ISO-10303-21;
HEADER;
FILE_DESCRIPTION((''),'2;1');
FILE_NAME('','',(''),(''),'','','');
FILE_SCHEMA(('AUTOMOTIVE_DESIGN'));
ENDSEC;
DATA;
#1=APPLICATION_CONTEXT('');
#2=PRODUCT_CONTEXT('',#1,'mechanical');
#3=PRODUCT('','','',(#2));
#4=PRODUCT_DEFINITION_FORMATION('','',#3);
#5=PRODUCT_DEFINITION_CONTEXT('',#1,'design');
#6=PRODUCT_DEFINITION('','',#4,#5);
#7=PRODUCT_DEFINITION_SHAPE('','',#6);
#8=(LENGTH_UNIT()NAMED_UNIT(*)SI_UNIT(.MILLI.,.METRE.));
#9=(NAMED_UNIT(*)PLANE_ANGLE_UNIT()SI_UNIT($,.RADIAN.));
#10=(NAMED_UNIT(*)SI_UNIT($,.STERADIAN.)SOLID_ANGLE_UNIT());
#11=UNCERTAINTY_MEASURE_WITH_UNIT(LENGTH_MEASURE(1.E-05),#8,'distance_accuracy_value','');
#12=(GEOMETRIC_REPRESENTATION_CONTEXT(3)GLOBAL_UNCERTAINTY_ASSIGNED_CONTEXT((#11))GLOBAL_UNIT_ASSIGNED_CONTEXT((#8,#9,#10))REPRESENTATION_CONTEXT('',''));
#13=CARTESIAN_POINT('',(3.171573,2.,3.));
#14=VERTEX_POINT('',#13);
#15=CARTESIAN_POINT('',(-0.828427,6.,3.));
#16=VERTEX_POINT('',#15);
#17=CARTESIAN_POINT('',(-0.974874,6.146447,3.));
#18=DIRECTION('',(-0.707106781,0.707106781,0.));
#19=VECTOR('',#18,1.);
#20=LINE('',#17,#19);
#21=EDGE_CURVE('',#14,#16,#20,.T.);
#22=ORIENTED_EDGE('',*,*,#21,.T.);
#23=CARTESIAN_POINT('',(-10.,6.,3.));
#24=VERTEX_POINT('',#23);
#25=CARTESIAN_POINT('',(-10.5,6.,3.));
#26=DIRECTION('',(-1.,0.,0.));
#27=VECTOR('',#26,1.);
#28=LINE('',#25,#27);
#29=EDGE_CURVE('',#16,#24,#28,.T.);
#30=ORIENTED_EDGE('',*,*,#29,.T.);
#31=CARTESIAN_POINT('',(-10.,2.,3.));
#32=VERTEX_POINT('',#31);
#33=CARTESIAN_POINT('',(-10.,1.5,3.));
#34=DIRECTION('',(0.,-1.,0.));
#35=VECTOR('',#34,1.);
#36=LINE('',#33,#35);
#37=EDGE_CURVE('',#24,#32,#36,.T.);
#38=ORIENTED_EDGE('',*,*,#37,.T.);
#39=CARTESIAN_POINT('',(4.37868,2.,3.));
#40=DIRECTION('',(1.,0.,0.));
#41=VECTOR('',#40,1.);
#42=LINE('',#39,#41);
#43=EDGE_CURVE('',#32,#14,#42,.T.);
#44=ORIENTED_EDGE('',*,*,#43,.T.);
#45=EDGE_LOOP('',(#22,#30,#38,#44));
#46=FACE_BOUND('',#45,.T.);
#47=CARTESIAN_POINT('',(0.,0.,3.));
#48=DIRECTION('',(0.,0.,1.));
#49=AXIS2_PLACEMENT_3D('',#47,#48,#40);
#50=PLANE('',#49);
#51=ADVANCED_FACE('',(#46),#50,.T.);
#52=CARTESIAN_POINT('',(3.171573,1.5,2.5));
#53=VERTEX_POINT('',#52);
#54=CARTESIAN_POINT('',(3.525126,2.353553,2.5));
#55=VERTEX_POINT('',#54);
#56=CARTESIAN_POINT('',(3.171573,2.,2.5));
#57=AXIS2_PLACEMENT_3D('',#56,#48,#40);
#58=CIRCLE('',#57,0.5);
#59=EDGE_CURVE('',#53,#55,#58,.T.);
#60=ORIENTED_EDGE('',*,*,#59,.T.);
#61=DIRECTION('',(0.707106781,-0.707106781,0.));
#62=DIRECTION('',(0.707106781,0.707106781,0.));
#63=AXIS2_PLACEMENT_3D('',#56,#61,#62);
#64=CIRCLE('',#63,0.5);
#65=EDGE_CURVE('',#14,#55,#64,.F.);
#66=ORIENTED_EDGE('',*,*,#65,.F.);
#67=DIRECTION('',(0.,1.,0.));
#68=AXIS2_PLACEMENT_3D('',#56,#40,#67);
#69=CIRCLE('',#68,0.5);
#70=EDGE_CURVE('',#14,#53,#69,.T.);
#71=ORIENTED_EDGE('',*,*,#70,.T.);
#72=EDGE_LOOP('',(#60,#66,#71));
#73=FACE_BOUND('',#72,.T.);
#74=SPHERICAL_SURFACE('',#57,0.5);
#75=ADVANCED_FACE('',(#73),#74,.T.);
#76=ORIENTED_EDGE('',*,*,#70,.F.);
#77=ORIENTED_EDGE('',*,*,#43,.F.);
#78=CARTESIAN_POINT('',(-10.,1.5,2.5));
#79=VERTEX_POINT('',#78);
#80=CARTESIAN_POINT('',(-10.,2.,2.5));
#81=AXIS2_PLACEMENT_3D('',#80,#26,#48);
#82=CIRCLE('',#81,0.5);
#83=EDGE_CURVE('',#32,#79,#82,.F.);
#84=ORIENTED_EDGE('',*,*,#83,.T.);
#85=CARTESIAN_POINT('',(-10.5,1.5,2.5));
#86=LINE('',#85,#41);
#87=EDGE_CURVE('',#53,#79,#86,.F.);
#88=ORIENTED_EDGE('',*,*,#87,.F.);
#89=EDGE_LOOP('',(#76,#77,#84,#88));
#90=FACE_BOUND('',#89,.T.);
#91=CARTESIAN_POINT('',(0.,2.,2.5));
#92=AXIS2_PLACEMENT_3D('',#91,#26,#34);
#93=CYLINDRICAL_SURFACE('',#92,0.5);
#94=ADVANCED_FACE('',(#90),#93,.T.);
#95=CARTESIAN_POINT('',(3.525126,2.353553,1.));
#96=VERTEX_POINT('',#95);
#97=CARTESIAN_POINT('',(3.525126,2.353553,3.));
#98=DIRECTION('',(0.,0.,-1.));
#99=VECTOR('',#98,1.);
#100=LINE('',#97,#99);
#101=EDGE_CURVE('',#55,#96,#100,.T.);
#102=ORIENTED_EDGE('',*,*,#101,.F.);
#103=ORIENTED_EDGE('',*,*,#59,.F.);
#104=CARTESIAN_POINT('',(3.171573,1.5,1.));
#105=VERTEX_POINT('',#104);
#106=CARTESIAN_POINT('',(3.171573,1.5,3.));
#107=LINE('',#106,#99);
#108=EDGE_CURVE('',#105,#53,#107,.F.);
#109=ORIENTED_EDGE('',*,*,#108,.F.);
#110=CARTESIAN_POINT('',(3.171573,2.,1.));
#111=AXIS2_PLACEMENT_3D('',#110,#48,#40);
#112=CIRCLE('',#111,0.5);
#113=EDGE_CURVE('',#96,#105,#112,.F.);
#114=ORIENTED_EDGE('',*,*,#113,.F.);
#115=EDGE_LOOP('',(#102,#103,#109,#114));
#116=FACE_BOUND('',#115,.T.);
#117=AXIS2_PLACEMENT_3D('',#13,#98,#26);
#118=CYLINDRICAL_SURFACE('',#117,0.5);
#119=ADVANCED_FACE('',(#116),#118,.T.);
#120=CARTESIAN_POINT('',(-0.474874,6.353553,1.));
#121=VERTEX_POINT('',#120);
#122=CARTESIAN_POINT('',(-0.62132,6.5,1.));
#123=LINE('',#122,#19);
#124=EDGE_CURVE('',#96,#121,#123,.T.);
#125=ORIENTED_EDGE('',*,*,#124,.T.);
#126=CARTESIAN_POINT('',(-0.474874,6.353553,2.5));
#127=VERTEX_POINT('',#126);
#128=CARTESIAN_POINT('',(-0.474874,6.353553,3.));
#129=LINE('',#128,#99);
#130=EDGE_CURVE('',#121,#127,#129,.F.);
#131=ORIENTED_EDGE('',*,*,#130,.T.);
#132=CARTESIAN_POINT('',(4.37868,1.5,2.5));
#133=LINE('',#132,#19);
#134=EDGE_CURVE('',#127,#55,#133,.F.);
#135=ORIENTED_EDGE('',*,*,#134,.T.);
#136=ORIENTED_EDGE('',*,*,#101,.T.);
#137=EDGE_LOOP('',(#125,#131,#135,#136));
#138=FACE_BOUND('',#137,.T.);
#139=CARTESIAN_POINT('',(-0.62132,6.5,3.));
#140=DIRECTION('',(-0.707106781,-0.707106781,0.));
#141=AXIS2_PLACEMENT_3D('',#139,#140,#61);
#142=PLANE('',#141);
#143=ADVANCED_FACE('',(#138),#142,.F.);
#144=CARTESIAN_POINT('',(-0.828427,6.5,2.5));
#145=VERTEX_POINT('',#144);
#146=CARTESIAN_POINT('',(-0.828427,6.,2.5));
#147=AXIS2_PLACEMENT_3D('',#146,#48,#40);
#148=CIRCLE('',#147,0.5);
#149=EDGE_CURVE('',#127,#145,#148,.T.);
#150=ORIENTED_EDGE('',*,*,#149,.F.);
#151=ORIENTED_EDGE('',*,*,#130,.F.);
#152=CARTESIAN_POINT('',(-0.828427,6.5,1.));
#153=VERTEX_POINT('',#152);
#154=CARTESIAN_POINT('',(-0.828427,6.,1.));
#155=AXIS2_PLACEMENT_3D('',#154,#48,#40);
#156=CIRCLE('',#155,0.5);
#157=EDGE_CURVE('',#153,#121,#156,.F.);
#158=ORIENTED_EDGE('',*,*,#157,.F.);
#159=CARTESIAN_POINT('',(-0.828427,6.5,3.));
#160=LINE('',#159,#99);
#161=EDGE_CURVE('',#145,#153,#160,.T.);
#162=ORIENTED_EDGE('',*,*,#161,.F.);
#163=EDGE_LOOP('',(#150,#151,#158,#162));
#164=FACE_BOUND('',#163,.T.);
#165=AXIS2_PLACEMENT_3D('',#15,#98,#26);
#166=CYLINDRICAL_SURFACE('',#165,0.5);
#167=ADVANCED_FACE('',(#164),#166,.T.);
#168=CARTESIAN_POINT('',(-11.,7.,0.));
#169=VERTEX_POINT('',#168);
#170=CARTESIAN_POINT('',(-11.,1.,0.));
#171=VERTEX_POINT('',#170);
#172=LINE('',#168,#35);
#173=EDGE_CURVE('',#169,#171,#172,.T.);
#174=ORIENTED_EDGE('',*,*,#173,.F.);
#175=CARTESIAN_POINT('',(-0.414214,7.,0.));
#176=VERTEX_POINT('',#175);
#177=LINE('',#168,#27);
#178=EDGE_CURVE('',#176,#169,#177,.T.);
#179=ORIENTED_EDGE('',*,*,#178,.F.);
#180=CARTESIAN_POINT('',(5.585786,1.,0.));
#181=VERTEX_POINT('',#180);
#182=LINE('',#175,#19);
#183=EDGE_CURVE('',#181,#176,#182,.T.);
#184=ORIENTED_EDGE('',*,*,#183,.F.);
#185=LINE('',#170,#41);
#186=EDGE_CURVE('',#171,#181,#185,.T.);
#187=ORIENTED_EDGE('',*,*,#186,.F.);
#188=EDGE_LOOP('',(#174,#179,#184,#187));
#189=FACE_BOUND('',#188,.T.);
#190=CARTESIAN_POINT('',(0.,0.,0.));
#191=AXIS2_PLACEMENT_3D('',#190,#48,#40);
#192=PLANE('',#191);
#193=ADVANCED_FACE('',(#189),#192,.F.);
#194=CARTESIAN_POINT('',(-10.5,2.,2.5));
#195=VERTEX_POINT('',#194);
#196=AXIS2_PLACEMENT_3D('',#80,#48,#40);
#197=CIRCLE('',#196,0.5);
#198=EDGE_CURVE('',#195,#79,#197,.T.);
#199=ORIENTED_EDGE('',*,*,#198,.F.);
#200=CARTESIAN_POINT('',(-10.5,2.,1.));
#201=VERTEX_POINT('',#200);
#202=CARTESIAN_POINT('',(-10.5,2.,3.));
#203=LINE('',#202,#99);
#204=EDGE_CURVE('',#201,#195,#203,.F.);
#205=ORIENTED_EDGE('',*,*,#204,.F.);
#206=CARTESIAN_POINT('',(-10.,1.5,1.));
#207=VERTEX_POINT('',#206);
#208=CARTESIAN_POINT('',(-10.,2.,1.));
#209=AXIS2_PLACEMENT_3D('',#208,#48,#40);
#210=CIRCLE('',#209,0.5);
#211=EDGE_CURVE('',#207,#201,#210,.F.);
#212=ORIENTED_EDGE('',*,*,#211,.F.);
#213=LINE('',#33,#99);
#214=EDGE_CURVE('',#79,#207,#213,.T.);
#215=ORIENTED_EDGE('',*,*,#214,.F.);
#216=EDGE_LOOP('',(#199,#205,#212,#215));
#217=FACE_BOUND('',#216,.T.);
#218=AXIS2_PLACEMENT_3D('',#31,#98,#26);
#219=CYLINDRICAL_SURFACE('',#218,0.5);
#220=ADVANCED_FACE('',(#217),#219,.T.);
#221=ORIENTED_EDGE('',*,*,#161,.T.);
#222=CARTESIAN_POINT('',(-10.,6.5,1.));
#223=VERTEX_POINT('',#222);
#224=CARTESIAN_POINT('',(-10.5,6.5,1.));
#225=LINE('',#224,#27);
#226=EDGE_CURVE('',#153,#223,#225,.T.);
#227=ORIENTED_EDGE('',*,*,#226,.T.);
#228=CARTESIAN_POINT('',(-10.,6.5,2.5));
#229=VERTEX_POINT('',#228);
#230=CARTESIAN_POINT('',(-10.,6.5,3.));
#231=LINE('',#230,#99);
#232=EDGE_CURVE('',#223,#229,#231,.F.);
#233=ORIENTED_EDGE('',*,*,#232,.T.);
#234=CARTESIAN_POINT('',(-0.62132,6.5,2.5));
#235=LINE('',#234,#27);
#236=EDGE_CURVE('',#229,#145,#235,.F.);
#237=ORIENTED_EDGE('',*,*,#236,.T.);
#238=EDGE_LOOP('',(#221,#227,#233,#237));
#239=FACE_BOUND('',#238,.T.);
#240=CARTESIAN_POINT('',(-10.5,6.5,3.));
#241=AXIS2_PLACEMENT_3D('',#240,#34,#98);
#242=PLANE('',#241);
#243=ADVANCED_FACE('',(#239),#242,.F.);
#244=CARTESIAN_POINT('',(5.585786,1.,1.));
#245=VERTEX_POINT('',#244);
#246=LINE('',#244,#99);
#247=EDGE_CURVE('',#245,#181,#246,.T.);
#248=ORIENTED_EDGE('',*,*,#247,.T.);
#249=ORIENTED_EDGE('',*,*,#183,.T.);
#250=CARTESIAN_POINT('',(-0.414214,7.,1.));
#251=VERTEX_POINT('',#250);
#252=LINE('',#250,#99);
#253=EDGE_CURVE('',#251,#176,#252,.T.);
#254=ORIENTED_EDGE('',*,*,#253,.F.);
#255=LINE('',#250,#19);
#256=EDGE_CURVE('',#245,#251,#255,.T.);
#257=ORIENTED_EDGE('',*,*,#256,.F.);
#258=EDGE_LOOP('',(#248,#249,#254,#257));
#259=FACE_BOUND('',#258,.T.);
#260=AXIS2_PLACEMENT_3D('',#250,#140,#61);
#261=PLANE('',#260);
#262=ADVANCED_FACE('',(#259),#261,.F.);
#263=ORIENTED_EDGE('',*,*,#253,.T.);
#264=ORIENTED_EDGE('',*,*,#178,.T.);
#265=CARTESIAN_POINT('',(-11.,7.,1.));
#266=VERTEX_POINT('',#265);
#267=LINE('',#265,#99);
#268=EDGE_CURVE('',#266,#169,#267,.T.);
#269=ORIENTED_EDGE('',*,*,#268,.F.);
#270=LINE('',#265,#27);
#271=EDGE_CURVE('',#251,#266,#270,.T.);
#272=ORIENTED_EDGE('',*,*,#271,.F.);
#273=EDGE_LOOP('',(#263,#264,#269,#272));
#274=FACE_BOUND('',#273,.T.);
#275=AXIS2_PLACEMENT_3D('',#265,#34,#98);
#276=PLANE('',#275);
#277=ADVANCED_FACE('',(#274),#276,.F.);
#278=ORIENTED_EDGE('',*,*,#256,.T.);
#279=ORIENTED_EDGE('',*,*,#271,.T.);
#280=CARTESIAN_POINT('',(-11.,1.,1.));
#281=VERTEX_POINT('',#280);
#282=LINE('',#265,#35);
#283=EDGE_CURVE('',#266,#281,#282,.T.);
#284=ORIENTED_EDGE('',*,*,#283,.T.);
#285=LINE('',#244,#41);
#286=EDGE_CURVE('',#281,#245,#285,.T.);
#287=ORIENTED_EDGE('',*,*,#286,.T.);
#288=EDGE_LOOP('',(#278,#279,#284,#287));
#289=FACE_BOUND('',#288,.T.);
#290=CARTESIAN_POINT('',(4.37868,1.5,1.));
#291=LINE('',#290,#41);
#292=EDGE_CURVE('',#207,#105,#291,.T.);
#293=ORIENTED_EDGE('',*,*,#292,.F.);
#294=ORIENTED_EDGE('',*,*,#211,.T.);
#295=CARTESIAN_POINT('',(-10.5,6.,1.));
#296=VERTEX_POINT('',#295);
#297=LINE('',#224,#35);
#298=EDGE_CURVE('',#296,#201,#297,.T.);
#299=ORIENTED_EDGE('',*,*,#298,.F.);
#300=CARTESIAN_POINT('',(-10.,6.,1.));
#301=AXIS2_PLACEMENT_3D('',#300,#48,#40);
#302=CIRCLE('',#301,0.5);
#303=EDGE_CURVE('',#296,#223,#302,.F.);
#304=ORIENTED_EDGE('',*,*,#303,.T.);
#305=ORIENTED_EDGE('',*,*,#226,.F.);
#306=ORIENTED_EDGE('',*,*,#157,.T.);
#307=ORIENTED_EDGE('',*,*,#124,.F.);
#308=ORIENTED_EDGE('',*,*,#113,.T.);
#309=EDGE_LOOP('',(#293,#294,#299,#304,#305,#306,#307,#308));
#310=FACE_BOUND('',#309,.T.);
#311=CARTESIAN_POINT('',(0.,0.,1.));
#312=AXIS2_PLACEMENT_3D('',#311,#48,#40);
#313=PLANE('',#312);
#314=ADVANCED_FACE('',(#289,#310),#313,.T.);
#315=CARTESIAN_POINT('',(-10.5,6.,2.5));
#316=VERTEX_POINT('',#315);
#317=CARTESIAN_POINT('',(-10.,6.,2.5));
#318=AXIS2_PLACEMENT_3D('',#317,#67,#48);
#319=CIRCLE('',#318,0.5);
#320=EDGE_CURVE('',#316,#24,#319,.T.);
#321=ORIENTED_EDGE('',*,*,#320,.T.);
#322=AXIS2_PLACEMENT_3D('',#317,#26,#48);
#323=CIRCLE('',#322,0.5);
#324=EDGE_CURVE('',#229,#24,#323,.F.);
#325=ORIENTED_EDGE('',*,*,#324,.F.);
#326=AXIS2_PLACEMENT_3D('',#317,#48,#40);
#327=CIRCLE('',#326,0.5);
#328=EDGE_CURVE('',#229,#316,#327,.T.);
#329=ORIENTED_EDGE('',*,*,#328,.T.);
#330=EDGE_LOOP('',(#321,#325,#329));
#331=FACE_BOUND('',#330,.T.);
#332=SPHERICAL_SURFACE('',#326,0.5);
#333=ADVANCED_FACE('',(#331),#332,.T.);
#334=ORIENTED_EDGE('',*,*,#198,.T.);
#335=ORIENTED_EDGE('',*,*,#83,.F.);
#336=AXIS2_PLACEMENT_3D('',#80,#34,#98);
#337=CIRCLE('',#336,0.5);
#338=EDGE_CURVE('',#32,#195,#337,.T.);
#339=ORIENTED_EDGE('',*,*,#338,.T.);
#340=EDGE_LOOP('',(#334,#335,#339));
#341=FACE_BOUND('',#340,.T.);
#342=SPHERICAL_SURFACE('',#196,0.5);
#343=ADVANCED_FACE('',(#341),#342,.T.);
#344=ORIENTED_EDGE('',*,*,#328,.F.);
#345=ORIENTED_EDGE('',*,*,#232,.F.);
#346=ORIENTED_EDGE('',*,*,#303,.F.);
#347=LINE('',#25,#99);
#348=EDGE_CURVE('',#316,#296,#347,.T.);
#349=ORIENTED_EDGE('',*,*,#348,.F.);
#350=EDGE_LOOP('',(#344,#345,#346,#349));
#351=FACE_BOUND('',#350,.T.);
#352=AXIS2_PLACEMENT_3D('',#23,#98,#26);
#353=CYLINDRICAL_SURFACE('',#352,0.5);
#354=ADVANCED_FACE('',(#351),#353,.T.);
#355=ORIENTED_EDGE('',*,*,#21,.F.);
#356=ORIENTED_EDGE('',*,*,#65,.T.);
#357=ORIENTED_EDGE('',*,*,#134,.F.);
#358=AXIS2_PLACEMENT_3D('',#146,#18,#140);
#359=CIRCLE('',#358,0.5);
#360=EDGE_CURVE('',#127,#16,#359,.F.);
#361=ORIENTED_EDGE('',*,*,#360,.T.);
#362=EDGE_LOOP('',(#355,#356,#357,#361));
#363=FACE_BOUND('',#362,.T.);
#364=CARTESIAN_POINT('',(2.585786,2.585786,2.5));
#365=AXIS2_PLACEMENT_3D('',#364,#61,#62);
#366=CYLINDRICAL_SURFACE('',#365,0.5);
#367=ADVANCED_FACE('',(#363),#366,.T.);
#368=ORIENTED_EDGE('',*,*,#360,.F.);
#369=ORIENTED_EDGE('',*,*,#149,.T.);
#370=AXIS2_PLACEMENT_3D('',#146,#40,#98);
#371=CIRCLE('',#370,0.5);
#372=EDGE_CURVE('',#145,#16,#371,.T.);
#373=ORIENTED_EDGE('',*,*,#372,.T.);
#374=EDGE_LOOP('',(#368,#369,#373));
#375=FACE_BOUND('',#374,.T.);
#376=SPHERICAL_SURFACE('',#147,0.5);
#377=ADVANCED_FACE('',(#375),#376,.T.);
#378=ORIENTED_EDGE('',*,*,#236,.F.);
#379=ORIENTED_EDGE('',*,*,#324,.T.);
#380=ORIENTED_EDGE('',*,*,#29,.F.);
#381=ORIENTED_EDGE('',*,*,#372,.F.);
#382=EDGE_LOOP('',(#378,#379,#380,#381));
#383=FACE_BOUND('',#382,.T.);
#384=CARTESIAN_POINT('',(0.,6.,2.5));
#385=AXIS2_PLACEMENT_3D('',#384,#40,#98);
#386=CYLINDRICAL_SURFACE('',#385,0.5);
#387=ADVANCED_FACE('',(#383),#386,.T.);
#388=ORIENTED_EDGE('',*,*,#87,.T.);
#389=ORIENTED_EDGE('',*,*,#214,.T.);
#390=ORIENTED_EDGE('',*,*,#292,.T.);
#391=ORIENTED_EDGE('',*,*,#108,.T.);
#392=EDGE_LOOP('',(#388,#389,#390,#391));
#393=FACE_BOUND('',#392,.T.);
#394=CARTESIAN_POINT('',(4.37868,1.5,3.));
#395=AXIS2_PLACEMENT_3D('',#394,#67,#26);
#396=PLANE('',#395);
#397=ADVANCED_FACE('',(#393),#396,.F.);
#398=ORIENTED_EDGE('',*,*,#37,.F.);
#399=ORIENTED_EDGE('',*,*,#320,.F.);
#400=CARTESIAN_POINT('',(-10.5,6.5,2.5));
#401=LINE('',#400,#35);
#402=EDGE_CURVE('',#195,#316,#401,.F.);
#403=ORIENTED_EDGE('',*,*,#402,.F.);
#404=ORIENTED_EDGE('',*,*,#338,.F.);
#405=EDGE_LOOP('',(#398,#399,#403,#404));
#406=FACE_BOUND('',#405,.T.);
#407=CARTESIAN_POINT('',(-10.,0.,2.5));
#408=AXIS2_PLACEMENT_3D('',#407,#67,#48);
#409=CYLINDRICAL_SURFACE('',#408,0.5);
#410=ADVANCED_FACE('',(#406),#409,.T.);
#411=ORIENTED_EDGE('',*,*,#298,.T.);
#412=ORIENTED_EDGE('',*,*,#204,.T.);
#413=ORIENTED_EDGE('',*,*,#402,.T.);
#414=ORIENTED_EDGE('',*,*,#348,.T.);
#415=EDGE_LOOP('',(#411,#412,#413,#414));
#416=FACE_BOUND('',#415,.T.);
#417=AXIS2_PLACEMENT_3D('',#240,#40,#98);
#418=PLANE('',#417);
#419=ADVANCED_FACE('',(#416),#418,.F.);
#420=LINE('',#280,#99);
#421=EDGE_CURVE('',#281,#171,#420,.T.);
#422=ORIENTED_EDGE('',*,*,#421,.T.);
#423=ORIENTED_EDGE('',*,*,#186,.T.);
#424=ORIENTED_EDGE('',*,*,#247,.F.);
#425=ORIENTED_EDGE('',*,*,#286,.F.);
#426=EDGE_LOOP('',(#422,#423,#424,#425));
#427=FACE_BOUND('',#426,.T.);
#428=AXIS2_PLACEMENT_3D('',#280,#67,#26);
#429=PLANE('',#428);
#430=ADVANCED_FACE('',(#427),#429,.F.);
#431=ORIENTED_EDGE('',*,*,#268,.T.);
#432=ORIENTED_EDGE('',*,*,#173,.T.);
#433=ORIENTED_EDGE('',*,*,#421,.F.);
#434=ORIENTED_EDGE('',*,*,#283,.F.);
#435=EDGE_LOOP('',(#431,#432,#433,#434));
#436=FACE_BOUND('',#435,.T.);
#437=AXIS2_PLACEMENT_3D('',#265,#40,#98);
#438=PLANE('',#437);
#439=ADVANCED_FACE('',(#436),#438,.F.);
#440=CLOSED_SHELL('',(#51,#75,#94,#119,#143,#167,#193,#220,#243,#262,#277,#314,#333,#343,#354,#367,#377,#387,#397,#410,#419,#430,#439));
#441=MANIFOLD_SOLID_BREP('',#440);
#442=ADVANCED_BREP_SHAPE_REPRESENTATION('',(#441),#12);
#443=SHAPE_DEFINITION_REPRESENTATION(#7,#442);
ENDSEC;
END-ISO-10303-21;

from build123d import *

# Parameters (mm, degrees)
BOSS_EXTRUDE3_DEPTH = 1
BOSS_EXTRUDE4_DEPTH = 2
FILLET1_R           = 0.5


with BuildPart() as part:
    # Sketch1 → Boss-Extrude3 (new body)
    with BuildSketch(Plane.XY):
        Polygon((-0.414213562, 7), (5.585786438, 1), (-0.414213562, 1), (-11, 1), (-11, 7), align=None)
    extrude(amount=BOSS_EXTRUDE3_DEPTH)

    # Sketch4 → Boss-Extrude4 (add)
    with BuildSketch(Plane.XY.offset(1)):
        Polygon((-0.621320344, 6.5), (4.378679656, 1.5), (-0.621320344, 1.5), (-10.5, 1.5), (-10.5, 6.5), align=None)
    extrude(amount=BOSS_EXTRUDE4_DEPTH)

    # Fillet1
    fillet1_edges = [part.edges().sort_by_distance(p)[0] for p in [
        (-10.5, 6.5, 2),
        (-10.5, 1.5, 2),
        (4.378679656, 1.5, 2),
        (-0.621320344, 6.5, 2),
        (-10.5, 4, 3),
        (-3.060660172, 1.5, 3),
        (1.878679656, 4, 3),
        (-5.560660172, 6.5, 3),
    ]]
    fillet(fillet1_edges, radius=FILLET1_R)


solid = part.part
